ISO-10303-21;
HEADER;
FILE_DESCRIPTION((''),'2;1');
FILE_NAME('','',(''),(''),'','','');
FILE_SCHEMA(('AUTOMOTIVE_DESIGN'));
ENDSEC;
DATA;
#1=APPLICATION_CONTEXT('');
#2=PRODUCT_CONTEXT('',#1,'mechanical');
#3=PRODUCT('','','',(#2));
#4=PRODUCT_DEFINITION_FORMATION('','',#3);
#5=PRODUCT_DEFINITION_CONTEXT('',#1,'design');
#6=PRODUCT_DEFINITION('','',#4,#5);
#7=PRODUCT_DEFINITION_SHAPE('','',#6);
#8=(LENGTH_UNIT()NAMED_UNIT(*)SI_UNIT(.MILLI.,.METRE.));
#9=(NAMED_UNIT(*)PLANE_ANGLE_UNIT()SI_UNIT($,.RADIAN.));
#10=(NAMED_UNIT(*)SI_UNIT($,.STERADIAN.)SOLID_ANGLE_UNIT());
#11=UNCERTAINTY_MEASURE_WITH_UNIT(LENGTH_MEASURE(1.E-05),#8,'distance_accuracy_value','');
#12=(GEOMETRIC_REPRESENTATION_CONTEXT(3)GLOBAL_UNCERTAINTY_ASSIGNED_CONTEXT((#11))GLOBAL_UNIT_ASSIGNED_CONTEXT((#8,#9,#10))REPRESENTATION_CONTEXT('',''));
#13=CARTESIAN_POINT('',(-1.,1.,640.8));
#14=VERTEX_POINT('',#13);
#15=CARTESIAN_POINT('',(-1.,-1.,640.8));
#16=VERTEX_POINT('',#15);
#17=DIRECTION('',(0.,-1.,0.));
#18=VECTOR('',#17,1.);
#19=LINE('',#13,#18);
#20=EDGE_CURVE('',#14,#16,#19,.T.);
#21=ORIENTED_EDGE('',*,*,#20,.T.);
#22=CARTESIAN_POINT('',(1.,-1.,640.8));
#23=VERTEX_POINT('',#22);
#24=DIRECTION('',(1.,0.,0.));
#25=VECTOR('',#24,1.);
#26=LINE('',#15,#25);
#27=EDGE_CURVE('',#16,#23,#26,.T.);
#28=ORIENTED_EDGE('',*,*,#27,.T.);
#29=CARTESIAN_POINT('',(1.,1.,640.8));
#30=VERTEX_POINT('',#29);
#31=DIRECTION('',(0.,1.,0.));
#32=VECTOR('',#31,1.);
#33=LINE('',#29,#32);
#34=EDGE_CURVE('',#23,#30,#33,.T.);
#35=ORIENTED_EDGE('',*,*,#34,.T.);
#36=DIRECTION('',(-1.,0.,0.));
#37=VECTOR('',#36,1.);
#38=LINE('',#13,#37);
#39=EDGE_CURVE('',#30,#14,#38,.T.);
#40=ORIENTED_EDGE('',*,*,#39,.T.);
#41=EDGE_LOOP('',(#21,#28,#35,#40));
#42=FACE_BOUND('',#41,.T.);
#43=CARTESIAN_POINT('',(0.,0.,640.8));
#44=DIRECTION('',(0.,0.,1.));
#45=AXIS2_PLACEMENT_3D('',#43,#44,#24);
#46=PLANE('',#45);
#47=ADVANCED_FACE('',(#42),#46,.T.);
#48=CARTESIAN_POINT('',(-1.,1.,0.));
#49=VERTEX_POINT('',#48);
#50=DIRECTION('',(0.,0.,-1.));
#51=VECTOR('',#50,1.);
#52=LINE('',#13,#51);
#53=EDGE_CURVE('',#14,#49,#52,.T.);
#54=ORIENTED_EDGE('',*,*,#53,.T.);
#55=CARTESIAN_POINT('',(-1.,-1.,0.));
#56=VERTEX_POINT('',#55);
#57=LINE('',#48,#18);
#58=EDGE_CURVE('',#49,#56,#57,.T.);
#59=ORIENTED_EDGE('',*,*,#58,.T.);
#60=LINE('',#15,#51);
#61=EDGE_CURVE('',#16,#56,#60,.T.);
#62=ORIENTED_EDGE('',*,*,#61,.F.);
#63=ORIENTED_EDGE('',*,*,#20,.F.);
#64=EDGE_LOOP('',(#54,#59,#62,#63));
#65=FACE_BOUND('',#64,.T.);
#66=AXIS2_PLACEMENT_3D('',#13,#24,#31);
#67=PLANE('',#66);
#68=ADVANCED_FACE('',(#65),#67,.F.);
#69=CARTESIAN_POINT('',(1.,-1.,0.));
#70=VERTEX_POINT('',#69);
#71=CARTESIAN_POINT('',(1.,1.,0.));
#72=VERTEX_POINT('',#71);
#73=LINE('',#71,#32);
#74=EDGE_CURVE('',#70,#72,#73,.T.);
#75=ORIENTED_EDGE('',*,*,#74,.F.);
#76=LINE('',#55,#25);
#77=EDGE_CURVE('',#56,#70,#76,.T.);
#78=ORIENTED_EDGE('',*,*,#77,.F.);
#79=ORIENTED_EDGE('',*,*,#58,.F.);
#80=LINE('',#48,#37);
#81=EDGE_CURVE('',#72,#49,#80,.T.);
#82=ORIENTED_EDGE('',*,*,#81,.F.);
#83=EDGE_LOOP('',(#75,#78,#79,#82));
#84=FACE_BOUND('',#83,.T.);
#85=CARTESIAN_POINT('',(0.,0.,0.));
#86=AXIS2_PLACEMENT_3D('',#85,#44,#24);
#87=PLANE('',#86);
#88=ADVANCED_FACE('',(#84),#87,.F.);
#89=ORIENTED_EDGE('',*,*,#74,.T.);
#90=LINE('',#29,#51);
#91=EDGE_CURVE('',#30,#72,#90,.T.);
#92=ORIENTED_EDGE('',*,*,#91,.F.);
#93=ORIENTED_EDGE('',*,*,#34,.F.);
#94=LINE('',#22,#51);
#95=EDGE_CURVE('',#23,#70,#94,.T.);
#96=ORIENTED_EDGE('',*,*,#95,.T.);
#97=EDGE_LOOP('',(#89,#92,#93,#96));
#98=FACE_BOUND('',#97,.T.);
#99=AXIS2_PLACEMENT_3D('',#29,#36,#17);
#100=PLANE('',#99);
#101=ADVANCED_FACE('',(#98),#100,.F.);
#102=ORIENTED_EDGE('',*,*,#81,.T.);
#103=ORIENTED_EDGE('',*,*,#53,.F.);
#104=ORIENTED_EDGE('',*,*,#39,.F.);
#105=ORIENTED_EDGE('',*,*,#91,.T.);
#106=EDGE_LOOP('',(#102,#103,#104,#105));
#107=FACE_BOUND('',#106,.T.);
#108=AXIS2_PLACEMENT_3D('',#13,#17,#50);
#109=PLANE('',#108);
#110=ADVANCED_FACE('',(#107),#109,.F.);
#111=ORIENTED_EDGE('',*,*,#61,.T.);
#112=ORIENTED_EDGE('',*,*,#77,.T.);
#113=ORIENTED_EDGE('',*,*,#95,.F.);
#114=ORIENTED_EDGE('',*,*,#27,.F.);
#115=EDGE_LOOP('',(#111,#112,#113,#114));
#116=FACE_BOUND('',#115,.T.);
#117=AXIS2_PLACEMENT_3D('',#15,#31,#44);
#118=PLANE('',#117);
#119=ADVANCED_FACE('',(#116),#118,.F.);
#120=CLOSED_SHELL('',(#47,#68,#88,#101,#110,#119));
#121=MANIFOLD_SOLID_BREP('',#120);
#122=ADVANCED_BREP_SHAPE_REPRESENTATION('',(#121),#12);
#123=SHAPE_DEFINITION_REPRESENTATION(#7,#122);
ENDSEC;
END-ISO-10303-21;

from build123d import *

# Parameters (mm, degrees)
SKETCH_1_W      = 2
SKETCH_1_H      = 2
EXTRUDE_1_DEPTH = 640.8


with BuildPart() as part:
    # ｽｹｯﾁ1 → ﾎﾞｽ - 押し出し1 (new body)
    with BuildSketch(Plane.XY):
        Rectangle(SKETCH_1_W, SKETCH_1_H)
    extrude(amount=EXTRUDE_1_DEPTH)


solid = part.part
